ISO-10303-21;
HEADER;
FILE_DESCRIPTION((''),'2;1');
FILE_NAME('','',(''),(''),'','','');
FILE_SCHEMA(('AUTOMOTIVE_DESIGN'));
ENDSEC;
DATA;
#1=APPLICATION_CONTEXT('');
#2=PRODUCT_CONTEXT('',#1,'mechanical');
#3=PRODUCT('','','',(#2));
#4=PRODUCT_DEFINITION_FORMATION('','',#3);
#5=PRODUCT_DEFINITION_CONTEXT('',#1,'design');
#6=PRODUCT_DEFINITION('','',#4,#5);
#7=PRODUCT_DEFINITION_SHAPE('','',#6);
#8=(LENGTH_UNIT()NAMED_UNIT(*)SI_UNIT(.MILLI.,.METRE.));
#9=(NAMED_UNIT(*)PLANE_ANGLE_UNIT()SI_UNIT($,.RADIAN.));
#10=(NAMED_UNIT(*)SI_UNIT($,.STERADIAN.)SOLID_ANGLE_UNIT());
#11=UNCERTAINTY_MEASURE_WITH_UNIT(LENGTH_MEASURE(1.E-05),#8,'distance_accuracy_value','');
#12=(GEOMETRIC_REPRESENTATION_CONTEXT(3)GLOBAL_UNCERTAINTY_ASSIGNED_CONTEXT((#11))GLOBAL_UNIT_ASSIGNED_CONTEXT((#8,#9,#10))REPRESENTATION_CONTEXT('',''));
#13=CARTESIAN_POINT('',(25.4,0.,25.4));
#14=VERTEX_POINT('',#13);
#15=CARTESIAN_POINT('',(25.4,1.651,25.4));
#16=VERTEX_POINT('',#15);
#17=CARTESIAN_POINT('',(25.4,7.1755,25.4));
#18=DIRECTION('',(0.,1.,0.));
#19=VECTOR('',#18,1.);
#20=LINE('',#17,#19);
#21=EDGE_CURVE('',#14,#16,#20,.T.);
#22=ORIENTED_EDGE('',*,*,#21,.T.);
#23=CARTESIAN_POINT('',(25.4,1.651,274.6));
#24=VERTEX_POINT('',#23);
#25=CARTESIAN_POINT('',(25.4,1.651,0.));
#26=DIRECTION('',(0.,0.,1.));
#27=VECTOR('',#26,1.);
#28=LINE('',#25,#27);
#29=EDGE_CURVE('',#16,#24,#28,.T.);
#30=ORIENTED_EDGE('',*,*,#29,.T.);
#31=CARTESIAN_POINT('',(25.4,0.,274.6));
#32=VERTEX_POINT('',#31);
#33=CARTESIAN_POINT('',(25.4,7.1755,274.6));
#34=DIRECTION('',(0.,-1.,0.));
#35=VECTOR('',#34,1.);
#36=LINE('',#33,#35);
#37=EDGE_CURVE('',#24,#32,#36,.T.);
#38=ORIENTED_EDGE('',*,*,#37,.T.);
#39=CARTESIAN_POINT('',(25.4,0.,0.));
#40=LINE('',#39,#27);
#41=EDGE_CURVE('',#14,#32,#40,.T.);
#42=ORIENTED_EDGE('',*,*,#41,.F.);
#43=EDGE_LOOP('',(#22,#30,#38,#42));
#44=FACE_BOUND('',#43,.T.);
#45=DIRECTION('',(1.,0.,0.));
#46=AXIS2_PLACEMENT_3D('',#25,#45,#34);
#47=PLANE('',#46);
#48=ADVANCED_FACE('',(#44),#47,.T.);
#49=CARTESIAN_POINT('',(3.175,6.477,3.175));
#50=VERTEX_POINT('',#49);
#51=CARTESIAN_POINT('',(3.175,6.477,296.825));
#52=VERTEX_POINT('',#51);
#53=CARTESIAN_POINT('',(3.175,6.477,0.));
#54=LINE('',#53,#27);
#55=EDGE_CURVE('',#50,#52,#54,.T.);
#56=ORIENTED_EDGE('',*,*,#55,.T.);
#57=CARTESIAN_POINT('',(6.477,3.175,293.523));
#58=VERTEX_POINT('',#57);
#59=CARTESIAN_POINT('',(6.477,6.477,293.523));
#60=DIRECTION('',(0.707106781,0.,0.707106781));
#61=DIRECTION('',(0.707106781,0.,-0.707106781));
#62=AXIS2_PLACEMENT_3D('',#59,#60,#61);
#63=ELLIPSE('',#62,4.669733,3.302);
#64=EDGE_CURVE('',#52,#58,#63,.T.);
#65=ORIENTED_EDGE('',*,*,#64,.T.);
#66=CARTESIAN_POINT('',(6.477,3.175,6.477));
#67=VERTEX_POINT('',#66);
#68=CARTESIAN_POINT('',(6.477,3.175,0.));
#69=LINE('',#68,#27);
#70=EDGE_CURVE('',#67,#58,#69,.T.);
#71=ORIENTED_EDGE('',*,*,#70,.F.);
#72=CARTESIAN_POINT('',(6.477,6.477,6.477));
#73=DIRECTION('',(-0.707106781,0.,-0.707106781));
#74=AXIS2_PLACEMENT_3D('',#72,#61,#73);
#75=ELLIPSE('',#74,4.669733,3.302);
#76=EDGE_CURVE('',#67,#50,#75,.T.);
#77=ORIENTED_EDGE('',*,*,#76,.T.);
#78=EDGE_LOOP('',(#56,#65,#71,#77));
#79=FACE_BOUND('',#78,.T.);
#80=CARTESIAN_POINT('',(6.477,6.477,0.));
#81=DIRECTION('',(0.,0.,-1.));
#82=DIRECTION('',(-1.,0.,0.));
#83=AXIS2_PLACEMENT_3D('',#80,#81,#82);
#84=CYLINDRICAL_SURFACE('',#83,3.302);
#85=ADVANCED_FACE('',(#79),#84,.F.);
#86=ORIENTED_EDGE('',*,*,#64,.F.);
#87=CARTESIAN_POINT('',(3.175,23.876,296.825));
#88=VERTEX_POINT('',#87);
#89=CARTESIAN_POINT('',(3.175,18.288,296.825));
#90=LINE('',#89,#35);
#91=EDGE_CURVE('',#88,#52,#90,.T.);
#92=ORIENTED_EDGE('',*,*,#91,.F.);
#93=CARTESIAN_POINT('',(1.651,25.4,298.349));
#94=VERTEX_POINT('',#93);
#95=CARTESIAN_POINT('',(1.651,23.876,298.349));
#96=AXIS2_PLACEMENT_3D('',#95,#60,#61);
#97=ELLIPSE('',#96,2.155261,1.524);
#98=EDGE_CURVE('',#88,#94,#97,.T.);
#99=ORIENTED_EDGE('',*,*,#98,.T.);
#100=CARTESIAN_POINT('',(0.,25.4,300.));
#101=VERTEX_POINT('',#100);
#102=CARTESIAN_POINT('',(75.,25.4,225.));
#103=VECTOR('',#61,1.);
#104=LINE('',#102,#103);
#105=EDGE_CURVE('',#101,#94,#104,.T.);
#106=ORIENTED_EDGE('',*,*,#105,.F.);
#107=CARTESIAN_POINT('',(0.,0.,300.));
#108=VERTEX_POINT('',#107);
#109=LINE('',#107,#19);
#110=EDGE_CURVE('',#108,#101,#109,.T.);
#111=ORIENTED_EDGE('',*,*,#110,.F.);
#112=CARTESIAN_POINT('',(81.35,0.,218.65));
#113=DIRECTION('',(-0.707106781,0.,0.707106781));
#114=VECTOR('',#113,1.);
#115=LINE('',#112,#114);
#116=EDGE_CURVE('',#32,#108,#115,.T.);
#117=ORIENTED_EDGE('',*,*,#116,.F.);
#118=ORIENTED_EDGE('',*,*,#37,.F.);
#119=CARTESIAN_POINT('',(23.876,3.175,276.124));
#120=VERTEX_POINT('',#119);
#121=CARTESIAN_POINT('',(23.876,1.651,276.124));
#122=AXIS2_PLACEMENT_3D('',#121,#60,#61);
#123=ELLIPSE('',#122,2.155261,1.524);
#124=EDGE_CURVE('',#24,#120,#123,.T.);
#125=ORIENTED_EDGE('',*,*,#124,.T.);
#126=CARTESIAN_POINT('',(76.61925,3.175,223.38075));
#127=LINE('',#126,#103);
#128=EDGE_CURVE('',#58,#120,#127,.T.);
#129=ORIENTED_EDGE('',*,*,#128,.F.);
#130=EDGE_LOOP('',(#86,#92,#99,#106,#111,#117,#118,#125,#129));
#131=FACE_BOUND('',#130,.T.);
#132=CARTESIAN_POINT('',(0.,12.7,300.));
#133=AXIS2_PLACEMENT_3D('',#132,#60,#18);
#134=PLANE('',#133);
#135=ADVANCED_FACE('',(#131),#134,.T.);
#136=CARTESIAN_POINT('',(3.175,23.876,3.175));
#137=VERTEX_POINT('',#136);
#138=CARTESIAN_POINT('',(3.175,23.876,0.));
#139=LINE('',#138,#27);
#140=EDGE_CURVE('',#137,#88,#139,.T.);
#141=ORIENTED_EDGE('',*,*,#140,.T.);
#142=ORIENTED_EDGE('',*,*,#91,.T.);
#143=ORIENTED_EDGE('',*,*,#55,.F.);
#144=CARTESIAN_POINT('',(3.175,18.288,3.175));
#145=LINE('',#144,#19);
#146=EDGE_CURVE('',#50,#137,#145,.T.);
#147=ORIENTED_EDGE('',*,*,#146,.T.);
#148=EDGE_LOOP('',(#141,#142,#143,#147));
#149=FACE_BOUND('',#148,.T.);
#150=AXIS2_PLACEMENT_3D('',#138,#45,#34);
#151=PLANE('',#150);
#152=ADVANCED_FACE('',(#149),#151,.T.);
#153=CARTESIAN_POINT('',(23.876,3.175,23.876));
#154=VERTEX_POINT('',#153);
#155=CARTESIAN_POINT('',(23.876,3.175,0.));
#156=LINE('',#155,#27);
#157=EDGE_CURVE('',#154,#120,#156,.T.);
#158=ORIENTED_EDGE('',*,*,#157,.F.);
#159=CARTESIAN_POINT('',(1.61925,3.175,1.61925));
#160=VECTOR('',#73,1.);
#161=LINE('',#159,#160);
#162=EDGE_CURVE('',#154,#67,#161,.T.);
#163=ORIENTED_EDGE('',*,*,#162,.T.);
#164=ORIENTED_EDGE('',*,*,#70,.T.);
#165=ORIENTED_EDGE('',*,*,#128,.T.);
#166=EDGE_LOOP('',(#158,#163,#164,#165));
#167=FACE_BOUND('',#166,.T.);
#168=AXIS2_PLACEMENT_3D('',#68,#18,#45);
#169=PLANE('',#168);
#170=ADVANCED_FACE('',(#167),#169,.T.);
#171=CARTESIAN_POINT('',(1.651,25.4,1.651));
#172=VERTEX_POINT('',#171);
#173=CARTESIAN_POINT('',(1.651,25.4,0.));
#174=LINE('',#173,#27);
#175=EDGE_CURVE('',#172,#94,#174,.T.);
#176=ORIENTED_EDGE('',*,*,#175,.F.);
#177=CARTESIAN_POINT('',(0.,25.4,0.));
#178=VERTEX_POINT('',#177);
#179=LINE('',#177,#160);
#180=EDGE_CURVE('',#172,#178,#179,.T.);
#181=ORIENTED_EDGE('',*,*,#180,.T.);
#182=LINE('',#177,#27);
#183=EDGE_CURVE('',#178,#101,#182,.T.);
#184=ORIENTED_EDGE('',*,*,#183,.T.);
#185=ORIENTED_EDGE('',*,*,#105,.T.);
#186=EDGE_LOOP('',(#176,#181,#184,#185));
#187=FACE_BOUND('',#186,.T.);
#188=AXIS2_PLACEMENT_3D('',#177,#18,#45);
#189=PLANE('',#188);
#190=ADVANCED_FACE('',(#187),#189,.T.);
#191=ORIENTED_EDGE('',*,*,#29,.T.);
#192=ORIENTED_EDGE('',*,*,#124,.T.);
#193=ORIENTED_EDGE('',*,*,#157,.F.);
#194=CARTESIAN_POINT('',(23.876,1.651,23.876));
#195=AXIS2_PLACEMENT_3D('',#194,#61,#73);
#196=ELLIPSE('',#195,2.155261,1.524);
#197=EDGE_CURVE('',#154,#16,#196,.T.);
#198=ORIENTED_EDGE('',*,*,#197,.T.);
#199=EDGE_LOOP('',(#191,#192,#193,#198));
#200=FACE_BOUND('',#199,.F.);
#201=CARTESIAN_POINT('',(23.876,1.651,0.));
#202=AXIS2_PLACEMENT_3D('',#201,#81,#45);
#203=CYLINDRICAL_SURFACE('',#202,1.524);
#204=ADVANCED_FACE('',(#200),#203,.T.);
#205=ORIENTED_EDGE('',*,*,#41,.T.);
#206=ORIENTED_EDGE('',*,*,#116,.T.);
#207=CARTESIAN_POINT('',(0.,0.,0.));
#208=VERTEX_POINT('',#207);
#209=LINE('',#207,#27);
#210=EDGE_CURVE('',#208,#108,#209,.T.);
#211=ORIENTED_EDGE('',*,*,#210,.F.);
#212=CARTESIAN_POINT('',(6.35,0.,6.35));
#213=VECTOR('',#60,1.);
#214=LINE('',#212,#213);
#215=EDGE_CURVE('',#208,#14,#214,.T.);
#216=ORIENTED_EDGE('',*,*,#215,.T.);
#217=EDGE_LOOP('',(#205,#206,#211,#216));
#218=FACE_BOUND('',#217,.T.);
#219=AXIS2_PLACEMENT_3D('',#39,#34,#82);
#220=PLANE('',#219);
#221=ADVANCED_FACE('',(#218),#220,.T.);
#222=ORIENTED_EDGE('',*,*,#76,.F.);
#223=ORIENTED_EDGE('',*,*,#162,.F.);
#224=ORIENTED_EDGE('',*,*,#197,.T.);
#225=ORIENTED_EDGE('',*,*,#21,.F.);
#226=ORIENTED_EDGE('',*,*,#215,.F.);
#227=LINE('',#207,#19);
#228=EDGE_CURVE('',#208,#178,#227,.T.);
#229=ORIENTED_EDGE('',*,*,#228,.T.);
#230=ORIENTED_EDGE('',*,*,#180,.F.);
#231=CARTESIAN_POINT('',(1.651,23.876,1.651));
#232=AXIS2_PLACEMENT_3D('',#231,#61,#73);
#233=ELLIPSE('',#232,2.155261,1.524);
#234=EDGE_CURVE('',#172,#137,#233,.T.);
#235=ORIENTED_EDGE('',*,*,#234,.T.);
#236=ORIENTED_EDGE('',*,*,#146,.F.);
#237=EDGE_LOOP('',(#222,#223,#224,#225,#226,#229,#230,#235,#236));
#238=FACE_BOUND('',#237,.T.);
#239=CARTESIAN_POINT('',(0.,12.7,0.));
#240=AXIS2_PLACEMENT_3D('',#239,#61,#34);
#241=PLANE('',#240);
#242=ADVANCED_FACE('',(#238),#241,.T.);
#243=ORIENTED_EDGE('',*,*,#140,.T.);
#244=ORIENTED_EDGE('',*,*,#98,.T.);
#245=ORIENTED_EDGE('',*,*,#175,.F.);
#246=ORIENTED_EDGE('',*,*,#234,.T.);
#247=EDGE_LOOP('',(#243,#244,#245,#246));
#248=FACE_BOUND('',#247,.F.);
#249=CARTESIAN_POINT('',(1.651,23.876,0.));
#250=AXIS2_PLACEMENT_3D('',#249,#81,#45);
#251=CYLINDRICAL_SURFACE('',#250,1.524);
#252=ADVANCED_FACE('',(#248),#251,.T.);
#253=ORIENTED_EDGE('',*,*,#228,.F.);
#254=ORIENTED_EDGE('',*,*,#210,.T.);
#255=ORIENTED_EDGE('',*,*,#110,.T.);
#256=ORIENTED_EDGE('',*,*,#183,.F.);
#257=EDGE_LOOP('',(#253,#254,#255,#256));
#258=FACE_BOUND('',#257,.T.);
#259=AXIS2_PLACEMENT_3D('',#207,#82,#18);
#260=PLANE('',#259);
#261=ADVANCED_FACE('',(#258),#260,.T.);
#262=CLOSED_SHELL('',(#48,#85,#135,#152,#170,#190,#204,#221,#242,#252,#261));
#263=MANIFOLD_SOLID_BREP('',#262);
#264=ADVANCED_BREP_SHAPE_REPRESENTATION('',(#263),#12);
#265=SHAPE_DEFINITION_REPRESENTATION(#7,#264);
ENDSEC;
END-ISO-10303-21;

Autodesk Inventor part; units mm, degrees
ref_plane "Start Plane" through (0, 0, 0) normal (0, 0, 1) x (1, 0, 0)
ref_plane "End Plane" through (0, 0, 300) normal (0, 0, 1) x (1, 0, 0)
sketch "Sketch" plane through (0, 0, 0) normal (0, 0, 1) x (1, 0, 0)
  line L0 (25.4, 0) -> (0, 0)
  line L1 (0, 0) -> (0, 25.4)
  line L2 (0, 25.4) -> (1.651, 25.4)
  line L3 (3.175, 23.876) -> (3.175, 6.477)
  line L4 (6.477, 3.175) -> (23.876, 3.175)
  line L5 (25.4, 1.651) -> (25.4, 0)
  line L6 (0, -11.0414) -> (0, 31.5385) construction
  line L7 (-11.0414, 0) -> (31.5385, 0) construction
  arc A0 (3.175, 6.477) -> (6.477, 3.175) centre (6.477, 6.477) ccw
  arc A1 (3.175, 23.876) -> (1.651, 25.4) centre (1.651, 23.876) ccw
  arc A2 (25.4, 1.651) -> (23.876, 3.175) centre (23.876, 1.651) ccw
  line L8 (0, 40.0545) -> (0, -19.5574) construction
  line L9 (-19.5574, 0) -> (40.0545, 0) construction
  point P0 (3.175, 25.4)
  point P1 (3.175, 3.175)
  point P2 (25.4, 3.175)
  dimension "d0" = 25.4
  dimension "d1" = 25.4
  dimension "d2" = 3.175
  dimension "d3" = 3.175
  dimension "d10" = 0
  dimension "d11" = 0
  dimension "d14" = 3.302
  dimension "d15" = 1.524
extrude "Body" add sketch "Sketch" along normal up to surface (300 mm away) from surface at 0
sketch "Sketch3" plane through (0, 0, 0) normal (0, 0, 1) x (1, 0, 0)
  line L0 (0, 0) -> (10, 0)
ref_plane "Work Plane3" through (0, 0, 0) normal (0, -1, 0) x (1, 0, 0)
ref_plane "Work Plane4" through (0, 12.7, 0) normal (0.7071, 0, -0.7071) x (-0.7071, 0, -0.7071)
split "Split1" plane through (0, 12.7, 0) removes the side toward (0.7071, 0, -0.7071)
ref_plane "Work Plane5" through (0, 12.7, 300) normal (0.7071, 0, 0.7071) x (0.7071, 0, -0.7071)
split "Split2" plane through (0, 12.7, 300) removes the side toward (0.7071, 0, 0.7071)
sketch "Sketch4" plane through (0, 0, 0) normal (0, -1, 0) x (1, 0, 0)
  line L0 (-2, 0) -> (12, 0) projected
  line L1 (-2, 300) -> (12, 300) projected
  dimension "d17" = 300
equation "\"d0\" = G_H"
equation "\"d1\" = G_H"
equation "\"d2\" = G_T"
equation "\"d3\" = G_T"
equation "\"d14\" = G_IR"
equation "\"d15\" = G_ER"
equation "\"d4\" = G_L"
equation "\"G_H\" = 25.4"
equation "\"G_T\" = 3.175"
equation "\"G_ER\" = 1.524"
equation "\"G_IR\" = 3.302"
equation "\"G_L\" = d17"
equation "\"ex\" = 0"
equation "\"G_OFFSET_START\" = 0"
equation "\"G_OFFSET_END\" = 0"
equation "\"d13\" = G_OFFSET_END + B_L"
equation "\"B_L\" = 300"
properties part number "AISC - L 1 x 1 x 1/8 - 11.811" material "Steel, Mild"
